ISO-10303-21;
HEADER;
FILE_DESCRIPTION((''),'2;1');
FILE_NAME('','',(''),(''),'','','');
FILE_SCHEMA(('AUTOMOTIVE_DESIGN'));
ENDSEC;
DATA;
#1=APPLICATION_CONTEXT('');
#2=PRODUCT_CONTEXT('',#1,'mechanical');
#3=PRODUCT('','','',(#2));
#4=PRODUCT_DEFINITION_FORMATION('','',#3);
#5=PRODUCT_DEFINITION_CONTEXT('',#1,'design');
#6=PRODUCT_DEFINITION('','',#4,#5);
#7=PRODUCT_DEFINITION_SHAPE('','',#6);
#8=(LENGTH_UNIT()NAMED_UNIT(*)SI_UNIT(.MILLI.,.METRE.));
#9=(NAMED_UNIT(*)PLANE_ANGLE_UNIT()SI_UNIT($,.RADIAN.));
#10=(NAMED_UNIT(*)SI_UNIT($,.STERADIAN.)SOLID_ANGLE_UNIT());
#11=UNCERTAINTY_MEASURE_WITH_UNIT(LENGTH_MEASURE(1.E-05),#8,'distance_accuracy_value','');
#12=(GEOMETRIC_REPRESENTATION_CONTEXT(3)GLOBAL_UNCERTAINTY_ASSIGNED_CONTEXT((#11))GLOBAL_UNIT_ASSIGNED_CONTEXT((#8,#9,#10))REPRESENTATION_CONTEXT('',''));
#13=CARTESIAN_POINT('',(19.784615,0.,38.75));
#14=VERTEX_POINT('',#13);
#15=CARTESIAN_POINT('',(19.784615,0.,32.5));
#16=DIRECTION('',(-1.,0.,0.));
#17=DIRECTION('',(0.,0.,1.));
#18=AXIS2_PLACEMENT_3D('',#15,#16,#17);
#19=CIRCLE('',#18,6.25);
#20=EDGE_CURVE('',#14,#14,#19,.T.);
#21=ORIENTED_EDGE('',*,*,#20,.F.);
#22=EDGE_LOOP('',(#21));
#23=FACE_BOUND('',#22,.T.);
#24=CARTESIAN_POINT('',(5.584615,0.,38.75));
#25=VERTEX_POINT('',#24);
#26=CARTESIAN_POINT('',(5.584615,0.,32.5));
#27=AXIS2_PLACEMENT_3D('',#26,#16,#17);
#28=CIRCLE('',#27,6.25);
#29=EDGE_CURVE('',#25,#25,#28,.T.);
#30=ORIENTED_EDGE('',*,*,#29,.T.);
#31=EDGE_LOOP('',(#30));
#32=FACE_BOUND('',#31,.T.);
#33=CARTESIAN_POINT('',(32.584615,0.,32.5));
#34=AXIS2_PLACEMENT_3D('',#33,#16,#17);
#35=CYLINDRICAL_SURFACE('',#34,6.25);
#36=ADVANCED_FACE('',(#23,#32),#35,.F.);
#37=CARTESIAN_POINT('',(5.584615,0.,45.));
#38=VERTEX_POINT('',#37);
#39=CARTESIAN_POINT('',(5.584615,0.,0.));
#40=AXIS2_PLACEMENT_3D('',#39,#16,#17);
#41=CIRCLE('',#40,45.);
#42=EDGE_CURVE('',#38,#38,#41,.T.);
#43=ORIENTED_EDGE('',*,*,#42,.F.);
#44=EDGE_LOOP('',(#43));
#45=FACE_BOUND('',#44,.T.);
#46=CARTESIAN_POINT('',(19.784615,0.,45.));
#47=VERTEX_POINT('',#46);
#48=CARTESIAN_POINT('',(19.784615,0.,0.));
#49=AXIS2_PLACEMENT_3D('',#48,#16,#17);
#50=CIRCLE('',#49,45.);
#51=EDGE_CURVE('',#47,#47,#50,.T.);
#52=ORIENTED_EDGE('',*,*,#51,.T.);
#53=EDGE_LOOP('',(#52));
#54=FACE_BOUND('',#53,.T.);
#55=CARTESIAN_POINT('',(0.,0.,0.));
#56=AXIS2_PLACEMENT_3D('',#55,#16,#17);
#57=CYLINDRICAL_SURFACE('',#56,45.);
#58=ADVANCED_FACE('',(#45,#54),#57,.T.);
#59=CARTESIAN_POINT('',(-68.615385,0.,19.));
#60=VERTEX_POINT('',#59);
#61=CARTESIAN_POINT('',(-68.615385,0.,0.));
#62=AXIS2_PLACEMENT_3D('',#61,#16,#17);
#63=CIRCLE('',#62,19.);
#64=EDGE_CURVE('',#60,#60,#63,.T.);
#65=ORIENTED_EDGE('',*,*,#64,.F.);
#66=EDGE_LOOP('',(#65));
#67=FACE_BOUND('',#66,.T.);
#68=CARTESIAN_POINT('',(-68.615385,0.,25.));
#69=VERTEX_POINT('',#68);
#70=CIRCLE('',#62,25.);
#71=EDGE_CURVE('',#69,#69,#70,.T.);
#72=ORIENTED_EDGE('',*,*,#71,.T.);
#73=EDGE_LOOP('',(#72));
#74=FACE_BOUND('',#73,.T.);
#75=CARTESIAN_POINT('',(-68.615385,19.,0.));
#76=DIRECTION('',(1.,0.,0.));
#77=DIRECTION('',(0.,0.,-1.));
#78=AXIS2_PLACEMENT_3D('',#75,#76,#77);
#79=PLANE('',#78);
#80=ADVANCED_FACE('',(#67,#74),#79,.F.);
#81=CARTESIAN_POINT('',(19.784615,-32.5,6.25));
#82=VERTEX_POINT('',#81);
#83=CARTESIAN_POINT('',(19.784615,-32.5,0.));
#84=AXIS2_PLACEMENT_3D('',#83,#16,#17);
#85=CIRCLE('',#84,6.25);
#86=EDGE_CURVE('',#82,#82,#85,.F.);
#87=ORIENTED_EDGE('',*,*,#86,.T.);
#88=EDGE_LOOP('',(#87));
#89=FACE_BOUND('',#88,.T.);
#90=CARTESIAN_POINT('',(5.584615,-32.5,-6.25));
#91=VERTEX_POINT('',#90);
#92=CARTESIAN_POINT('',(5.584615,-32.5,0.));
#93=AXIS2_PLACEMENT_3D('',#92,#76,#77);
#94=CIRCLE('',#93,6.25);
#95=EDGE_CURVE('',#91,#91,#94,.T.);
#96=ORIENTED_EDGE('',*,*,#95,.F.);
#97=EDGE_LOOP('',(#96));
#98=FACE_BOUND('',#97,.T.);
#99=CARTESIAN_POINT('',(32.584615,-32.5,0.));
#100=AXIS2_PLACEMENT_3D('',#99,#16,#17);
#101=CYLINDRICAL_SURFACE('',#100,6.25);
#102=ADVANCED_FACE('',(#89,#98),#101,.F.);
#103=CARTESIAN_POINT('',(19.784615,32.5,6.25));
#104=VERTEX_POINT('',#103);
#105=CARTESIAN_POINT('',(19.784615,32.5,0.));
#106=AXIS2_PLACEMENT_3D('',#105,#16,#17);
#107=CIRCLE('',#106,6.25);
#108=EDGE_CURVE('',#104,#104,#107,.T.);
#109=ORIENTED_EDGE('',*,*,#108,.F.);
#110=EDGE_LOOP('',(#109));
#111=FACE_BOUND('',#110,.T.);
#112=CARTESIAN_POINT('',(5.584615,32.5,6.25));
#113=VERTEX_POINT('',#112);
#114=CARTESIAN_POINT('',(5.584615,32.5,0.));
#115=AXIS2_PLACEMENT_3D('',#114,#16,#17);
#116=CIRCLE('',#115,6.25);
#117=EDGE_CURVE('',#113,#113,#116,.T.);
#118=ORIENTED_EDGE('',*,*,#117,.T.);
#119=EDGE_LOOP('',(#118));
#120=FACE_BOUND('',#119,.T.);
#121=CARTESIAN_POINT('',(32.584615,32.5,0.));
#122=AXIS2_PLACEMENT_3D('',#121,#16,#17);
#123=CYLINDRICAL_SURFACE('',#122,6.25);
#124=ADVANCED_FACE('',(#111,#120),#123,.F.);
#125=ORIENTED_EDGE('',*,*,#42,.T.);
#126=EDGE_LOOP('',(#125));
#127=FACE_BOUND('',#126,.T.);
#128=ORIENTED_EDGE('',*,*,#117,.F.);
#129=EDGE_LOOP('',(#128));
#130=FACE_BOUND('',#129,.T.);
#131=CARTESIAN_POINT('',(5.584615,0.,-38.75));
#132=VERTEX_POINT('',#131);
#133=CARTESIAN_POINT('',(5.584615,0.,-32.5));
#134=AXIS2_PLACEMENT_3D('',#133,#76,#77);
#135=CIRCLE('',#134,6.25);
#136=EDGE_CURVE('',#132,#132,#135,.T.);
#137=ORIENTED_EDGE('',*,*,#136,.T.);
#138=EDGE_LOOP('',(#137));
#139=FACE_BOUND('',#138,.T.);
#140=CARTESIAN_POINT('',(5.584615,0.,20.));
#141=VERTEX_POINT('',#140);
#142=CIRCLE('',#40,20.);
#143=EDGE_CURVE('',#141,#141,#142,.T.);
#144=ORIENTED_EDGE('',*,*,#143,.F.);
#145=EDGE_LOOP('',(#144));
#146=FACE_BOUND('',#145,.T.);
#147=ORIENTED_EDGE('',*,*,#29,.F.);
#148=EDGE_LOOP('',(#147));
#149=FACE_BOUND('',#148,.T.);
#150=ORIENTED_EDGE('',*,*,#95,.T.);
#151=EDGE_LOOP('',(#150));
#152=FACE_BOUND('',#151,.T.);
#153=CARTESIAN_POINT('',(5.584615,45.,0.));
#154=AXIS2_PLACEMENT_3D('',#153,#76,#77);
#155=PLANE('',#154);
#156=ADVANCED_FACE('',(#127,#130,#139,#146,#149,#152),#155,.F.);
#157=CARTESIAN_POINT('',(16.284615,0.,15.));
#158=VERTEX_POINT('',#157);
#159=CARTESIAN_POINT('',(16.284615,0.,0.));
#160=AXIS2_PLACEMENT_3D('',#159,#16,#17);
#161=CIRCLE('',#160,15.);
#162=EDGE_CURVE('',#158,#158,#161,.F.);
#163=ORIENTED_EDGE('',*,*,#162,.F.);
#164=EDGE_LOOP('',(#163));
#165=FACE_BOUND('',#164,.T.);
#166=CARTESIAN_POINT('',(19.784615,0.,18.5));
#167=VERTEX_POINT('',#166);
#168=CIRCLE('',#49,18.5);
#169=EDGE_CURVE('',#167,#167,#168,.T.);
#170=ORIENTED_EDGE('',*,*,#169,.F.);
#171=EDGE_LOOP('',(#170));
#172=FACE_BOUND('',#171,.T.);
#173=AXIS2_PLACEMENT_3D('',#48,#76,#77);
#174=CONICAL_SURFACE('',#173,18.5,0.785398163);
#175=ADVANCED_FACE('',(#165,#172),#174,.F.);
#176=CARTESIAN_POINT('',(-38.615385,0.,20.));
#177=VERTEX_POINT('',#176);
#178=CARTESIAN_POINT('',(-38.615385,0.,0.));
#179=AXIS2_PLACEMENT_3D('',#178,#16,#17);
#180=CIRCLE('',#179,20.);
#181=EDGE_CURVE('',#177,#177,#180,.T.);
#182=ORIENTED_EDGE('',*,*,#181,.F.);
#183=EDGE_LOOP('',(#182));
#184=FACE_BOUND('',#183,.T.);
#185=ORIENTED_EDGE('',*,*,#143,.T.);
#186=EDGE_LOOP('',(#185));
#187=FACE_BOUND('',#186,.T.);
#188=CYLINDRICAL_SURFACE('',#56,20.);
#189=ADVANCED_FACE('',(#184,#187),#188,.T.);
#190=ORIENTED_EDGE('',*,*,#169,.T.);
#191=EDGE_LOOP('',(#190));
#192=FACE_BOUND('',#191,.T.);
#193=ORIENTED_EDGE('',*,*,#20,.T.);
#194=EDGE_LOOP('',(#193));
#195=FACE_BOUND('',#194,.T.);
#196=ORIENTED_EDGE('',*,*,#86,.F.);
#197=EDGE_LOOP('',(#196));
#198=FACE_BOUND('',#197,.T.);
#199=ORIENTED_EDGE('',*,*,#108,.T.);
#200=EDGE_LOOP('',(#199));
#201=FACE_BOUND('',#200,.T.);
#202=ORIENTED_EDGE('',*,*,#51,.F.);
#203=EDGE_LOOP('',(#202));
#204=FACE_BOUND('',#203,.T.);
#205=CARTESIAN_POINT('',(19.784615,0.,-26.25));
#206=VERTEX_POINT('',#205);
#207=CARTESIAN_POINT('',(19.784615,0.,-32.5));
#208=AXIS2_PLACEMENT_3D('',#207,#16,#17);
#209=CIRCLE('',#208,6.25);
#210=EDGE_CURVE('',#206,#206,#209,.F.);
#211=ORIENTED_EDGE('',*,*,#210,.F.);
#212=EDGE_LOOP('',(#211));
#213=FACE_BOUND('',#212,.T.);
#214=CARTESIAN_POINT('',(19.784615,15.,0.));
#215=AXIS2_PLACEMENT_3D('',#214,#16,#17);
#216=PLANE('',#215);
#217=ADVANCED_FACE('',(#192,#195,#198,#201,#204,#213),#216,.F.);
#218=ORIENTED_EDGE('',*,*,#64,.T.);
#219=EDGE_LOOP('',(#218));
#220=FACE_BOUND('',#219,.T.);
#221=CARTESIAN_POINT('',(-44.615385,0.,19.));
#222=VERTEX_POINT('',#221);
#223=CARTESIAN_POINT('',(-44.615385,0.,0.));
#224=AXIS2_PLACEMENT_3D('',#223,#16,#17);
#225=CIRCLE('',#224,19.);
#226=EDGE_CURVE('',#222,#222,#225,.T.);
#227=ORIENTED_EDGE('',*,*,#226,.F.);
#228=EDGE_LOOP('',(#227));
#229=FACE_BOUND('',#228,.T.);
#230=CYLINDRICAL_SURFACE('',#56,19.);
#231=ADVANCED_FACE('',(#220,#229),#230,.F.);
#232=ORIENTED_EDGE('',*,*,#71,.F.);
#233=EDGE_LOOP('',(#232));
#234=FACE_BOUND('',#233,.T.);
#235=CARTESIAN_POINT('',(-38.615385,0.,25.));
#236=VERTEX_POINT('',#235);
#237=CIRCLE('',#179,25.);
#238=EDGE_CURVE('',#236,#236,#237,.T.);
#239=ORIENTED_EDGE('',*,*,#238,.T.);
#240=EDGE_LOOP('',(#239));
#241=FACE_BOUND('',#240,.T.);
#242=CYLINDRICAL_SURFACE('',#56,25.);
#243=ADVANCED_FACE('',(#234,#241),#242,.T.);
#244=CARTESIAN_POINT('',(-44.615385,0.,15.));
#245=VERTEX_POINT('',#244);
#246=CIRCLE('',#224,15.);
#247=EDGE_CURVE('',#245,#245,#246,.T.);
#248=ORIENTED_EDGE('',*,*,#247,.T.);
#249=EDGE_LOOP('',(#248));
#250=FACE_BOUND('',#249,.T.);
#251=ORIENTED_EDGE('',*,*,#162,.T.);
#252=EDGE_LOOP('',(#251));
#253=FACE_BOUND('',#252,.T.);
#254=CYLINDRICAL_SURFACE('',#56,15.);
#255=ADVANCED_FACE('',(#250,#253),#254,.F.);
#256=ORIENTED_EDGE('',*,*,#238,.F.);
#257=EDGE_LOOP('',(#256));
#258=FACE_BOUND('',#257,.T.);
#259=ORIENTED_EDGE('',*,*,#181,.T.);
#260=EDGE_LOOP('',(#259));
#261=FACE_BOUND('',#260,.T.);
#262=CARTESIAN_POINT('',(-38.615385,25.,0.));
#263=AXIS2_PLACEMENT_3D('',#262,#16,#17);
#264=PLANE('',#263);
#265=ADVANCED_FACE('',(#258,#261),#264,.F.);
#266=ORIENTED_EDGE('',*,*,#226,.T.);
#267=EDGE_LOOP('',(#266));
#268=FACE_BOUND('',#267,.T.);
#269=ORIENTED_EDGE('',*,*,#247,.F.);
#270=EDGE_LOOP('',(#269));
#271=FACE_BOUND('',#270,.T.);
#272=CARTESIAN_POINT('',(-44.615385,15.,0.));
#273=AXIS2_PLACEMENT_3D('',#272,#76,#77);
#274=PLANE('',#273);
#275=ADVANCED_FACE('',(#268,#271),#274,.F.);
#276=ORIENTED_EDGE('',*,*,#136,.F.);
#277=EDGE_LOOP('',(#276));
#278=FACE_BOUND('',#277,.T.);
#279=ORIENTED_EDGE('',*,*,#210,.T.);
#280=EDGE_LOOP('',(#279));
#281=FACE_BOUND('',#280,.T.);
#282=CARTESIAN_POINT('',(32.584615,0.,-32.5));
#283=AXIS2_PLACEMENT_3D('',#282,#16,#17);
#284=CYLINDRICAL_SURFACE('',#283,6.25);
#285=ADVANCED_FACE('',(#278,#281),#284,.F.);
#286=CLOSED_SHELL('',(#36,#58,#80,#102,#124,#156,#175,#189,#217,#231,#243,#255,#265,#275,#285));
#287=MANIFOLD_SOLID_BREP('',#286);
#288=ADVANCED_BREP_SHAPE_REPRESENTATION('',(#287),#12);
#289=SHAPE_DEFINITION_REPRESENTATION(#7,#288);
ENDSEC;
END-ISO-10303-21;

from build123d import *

# Parameters (mm, degrees)
CHAFL_N1_SIZE         = 3.5
CROQUIS2_R            = 6.25
CORTAR_EXTRUIR2_DEPTH = 27


with BuildPart() as part:
    # Croquis1 → Revolución1 (revolve)
    with BuildSketch(Plane.XY, mode=Mode.PRIVATE) as revoluci_n1_sk:
        Polygon((19.784615385, 15), (-44.615384615, 15), (-44.615384615, 19), (-68.615384615, 19), (-68.615384615, 25), (-38.615384615, 25), (-38.615384615, 20), (5.584615385, 20), (5.584615385, 45), (19.784615385, 45), align=None)
    revolve(revoluci_n1_sk.sketch.rotate(Axis((0, 0, 0), (1, 0, 0)), 90), axis=Axis((0, 0, 0), (1, 0, 0)))

    # Chaflán1
    chafl_n1_edges = [part.edges().sort_by_distance(p)[0] for p in [
        (19.784615385, 0, -15),
    ]]
    chamfer(chafl_n1_edges, length=CHAFL_N1_SIZE)

    # Croquis2 → Cortar-Extruir2 (cut)
    with BuildSketch(Plane.ZY.offset(-5.584615385)):
        with Locations((0, 32.5)):
            Circle(CROQUIS2_R)
        with Locations((0, -32.5)):
            Circle(CROQUIS2_R)
        with Locations((32.5, 0)):
            Circle(CROQUIS2_R)
        with Locations((-32.5, 0)):
            Circle(CROQUIS2_R)
    extrude(amount=-CORTAR_EXTRUIR2_DEPTH, mode=Mode.SUBTRACT)


solid = part.part
